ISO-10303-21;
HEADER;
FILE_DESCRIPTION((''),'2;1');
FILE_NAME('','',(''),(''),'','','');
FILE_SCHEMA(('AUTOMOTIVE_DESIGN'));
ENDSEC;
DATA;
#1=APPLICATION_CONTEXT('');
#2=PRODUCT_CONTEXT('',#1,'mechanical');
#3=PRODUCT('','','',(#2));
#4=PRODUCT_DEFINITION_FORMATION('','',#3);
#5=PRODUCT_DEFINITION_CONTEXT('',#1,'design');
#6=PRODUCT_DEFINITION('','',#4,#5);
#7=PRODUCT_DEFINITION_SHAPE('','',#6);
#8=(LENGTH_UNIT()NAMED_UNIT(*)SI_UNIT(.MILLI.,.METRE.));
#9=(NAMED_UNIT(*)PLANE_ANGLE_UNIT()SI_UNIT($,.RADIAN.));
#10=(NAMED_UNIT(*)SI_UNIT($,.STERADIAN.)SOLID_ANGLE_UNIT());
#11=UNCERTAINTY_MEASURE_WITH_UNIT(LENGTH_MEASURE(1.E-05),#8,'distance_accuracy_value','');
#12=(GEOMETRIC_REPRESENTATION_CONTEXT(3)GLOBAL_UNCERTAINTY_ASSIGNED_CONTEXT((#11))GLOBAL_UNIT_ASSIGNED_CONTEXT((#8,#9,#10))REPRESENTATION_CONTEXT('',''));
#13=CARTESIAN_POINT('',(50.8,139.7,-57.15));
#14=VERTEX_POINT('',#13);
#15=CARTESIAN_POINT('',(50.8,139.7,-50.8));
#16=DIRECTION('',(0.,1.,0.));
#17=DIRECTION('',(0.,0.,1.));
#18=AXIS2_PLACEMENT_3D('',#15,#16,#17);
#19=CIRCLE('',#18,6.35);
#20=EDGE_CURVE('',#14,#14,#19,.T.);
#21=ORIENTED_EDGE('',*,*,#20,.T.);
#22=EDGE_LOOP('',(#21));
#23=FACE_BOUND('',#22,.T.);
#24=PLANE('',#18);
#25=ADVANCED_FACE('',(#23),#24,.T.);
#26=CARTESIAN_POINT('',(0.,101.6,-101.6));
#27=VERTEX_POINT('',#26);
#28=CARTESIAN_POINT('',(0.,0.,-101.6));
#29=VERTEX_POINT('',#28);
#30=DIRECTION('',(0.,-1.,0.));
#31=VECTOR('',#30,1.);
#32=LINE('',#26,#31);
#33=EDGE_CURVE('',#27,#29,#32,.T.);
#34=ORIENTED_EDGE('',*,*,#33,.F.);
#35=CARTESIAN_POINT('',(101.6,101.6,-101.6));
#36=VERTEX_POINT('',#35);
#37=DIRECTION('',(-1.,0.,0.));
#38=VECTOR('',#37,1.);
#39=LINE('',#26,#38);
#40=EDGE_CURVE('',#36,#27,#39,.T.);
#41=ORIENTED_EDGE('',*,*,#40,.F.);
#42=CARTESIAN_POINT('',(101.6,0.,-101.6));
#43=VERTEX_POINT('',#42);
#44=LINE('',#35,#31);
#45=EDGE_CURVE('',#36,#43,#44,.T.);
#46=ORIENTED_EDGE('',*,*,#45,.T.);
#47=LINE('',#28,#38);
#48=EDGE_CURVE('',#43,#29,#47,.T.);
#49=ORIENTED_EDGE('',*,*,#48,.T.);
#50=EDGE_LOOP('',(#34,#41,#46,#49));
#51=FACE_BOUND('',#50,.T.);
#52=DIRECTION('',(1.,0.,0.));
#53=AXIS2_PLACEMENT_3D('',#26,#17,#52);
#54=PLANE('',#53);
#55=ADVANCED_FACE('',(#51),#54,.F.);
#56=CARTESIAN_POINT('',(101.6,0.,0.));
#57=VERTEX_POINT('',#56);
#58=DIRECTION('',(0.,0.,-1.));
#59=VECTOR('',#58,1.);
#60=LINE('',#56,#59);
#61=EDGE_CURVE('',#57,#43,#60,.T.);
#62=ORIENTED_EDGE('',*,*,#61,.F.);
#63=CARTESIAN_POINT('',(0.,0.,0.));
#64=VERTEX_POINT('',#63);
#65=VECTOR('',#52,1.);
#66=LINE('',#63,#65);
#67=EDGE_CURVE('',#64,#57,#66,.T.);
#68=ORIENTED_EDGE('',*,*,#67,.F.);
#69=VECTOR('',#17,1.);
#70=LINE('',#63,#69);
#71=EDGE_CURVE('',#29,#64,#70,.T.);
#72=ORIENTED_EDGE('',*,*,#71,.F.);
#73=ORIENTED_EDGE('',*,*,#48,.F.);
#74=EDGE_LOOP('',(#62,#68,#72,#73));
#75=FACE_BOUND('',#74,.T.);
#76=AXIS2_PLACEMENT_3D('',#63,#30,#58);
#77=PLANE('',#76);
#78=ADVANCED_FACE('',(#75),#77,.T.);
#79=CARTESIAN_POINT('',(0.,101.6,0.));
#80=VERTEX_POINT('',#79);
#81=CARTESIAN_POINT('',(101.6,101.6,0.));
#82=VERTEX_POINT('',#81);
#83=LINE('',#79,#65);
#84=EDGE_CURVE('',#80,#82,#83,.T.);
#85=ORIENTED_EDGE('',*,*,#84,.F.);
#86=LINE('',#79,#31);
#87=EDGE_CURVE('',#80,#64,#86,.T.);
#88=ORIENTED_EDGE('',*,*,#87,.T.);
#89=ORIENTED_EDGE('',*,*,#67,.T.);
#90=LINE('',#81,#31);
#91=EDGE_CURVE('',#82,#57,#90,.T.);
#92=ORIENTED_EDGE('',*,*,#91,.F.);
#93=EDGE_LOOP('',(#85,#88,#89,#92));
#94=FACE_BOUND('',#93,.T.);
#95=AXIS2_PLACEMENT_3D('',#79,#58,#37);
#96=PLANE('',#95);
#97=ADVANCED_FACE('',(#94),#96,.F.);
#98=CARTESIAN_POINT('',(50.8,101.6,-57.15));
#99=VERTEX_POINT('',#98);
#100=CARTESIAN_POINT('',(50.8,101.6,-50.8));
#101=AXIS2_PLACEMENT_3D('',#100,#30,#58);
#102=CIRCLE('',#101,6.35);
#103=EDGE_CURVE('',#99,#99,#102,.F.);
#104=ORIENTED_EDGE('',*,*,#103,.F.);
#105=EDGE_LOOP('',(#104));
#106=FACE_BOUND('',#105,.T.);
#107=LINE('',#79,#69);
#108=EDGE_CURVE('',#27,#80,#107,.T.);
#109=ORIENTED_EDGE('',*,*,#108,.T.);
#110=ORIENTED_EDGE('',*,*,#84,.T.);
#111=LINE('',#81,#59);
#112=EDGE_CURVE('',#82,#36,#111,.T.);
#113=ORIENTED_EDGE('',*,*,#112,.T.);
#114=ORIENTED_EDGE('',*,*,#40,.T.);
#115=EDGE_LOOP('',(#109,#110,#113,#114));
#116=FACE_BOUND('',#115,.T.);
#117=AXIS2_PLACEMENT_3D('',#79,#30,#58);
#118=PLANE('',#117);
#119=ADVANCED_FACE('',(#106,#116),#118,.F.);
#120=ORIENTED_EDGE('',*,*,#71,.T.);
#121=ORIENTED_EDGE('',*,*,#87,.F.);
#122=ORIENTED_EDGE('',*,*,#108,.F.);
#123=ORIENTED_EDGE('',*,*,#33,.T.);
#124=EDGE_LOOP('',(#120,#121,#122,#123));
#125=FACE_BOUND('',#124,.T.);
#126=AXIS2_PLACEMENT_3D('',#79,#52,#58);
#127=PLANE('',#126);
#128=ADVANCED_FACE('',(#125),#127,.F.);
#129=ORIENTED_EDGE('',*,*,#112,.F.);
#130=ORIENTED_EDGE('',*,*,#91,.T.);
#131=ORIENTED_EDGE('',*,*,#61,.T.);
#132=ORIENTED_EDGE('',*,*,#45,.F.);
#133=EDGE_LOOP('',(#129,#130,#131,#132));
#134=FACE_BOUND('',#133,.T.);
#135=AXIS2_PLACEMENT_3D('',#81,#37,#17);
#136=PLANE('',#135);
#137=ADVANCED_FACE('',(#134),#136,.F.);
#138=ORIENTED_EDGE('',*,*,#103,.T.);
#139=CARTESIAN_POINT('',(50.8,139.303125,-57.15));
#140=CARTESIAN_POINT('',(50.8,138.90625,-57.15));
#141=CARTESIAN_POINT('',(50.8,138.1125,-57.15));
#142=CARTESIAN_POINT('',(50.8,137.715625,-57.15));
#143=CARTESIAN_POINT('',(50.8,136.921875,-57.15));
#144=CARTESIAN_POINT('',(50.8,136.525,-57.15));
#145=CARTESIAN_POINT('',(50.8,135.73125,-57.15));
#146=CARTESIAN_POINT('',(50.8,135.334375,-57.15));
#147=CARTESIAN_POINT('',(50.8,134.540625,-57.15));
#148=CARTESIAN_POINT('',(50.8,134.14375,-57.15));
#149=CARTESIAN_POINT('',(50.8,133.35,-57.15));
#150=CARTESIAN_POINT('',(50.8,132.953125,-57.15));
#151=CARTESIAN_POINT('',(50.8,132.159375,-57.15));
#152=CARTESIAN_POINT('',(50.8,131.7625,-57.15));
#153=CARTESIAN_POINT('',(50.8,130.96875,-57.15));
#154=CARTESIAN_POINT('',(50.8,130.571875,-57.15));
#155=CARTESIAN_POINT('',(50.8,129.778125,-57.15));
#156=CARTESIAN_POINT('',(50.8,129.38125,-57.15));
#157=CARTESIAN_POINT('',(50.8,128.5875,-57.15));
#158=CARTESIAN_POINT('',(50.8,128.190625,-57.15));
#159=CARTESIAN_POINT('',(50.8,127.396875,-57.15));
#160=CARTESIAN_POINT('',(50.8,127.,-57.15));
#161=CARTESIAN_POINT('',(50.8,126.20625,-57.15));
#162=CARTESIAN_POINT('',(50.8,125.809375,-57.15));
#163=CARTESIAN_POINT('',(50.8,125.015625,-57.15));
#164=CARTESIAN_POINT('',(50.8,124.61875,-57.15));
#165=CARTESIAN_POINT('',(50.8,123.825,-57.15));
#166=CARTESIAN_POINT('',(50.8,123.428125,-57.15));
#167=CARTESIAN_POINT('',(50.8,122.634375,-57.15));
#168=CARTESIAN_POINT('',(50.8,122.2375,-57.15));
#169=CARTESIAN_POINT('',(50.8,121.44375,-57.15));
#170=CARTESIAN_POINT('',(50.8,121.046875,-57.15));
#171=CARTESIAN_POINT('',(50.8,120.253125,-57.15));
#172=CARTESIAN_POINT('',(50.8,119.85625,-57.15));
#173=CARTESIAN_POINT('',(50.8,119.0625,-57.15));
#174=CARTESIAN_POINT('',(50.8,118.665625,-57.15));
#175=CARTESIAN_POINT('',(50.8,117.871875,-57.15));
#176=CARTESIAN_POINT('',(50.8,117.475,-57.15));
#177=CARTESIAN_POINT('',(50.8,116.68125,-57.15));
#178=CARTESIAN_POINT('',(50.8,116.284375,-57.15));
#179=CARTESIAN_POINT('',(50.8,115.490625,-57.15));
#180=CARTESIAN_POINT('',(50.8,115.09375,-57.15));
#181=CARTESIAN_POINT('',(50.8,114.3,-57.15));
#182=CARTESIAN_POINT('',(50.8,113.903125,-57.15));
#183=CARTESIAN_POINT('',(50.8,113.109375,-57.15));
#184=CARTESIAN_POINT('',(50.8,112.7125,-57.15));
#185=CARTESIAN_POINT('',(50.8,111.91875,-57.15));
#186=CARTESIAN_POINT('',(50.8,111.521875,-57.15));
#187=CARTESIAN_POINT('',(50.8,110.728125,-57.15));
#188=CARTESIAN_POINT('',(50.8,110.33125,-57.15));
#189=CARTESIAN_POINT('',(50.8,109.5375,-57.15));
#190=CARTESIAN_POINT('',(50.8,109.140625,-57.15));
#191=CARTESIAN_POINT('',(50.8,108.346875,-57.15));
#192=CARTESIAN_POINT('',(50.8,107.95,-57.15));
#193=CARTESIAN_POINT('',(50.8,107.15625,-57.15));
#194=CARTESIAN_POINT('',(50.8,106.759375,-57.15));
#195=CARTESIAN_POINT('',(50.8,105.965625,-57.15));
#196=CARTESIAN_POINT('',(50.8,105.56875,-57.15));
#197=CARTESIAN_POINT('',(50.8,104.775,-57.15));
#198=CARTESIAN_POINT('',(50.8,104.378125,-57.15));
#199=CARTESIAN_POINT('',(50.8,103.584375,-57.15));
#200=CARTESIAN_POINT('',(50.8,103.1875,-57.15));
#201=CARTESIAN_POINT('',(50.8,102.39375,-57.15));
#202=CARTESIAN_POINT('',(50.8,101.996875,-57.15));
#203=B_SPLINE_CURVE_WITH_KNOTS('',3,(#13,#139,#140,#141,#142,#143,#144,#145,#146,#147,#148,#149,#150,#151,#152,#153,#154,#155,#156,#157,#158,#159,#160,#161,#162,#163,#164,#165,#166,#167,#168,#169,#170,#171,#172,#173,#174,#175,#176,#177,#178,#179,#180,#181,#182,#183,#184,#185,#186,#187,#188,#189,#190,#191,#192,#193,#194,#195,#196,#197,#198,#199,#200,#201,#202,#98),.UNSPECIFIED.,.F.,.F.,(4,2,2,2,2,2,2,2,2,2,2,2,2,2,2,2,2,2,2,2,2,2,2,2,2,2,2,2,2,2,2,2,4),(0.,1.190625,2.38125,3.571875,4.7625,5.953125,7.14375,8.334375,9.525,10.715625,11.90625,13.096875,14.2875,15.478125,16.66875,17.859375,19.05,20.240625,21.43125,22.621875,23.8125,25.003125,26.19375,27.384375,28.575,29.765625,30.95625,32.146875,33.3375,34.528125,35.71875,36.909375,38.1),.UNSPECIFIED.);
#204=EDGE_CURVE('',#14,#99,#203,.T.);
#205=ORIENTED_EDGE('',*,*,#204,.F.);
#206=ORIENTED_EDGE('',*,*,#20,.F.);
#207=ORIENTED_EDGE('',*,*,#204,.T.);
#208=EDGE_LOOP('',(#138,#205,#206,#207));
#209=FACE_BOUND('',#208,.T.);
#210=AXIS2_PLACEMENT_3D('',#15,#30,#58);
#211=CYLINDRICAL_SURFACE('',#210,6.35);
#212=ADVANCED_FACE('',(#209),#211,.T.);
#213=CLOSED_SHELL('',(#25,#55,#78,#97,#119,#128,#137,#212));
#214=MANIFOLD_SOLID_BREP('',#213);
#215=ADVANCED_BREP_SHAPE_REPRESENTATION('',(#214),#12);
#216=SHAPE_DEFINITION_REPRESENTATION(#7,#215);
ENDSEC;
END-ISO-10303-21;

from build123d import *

# Parameters (mm, degrees)
SKETCH1_W           = 101.6
SKETCH1_H           = 101.6
BOSS_EXTRUDE1_DEPTH = 101.6
SKETCH2_R           = 6.35
BOSS_EXTRUDE2_DEPTH = 38.1


with BuildPart() as part:
    # Sketch1 → Boss-Extrude1 (new body)
    with BuildSketch(Plane(origin=(0, 0, 0), x_dir=(1, 0, 0), z_dir=(0, 1, 0))):
        with Locations((50.8, 50.8)):
            Rectangle(SKETCH1_W, SKETCH1_H)
    extrude(amount=BOSS_EXTRUDE1_DEPTH)

    # Sketch2 → Boss-Extrude2 (add)
    with BuildSketch(Plane(origin=(0, 101.6, 0), x_dir=(1, 0, 0), z_dir=(0, 1, 0))):
        with Locations(Location((50.8, 50.8, 0), (0, 0, 90))):
            Circle(SKETCH2_R)
    extrude(amount=BOSS_EXTRUDE2_DEPTH)


solid = part.part
